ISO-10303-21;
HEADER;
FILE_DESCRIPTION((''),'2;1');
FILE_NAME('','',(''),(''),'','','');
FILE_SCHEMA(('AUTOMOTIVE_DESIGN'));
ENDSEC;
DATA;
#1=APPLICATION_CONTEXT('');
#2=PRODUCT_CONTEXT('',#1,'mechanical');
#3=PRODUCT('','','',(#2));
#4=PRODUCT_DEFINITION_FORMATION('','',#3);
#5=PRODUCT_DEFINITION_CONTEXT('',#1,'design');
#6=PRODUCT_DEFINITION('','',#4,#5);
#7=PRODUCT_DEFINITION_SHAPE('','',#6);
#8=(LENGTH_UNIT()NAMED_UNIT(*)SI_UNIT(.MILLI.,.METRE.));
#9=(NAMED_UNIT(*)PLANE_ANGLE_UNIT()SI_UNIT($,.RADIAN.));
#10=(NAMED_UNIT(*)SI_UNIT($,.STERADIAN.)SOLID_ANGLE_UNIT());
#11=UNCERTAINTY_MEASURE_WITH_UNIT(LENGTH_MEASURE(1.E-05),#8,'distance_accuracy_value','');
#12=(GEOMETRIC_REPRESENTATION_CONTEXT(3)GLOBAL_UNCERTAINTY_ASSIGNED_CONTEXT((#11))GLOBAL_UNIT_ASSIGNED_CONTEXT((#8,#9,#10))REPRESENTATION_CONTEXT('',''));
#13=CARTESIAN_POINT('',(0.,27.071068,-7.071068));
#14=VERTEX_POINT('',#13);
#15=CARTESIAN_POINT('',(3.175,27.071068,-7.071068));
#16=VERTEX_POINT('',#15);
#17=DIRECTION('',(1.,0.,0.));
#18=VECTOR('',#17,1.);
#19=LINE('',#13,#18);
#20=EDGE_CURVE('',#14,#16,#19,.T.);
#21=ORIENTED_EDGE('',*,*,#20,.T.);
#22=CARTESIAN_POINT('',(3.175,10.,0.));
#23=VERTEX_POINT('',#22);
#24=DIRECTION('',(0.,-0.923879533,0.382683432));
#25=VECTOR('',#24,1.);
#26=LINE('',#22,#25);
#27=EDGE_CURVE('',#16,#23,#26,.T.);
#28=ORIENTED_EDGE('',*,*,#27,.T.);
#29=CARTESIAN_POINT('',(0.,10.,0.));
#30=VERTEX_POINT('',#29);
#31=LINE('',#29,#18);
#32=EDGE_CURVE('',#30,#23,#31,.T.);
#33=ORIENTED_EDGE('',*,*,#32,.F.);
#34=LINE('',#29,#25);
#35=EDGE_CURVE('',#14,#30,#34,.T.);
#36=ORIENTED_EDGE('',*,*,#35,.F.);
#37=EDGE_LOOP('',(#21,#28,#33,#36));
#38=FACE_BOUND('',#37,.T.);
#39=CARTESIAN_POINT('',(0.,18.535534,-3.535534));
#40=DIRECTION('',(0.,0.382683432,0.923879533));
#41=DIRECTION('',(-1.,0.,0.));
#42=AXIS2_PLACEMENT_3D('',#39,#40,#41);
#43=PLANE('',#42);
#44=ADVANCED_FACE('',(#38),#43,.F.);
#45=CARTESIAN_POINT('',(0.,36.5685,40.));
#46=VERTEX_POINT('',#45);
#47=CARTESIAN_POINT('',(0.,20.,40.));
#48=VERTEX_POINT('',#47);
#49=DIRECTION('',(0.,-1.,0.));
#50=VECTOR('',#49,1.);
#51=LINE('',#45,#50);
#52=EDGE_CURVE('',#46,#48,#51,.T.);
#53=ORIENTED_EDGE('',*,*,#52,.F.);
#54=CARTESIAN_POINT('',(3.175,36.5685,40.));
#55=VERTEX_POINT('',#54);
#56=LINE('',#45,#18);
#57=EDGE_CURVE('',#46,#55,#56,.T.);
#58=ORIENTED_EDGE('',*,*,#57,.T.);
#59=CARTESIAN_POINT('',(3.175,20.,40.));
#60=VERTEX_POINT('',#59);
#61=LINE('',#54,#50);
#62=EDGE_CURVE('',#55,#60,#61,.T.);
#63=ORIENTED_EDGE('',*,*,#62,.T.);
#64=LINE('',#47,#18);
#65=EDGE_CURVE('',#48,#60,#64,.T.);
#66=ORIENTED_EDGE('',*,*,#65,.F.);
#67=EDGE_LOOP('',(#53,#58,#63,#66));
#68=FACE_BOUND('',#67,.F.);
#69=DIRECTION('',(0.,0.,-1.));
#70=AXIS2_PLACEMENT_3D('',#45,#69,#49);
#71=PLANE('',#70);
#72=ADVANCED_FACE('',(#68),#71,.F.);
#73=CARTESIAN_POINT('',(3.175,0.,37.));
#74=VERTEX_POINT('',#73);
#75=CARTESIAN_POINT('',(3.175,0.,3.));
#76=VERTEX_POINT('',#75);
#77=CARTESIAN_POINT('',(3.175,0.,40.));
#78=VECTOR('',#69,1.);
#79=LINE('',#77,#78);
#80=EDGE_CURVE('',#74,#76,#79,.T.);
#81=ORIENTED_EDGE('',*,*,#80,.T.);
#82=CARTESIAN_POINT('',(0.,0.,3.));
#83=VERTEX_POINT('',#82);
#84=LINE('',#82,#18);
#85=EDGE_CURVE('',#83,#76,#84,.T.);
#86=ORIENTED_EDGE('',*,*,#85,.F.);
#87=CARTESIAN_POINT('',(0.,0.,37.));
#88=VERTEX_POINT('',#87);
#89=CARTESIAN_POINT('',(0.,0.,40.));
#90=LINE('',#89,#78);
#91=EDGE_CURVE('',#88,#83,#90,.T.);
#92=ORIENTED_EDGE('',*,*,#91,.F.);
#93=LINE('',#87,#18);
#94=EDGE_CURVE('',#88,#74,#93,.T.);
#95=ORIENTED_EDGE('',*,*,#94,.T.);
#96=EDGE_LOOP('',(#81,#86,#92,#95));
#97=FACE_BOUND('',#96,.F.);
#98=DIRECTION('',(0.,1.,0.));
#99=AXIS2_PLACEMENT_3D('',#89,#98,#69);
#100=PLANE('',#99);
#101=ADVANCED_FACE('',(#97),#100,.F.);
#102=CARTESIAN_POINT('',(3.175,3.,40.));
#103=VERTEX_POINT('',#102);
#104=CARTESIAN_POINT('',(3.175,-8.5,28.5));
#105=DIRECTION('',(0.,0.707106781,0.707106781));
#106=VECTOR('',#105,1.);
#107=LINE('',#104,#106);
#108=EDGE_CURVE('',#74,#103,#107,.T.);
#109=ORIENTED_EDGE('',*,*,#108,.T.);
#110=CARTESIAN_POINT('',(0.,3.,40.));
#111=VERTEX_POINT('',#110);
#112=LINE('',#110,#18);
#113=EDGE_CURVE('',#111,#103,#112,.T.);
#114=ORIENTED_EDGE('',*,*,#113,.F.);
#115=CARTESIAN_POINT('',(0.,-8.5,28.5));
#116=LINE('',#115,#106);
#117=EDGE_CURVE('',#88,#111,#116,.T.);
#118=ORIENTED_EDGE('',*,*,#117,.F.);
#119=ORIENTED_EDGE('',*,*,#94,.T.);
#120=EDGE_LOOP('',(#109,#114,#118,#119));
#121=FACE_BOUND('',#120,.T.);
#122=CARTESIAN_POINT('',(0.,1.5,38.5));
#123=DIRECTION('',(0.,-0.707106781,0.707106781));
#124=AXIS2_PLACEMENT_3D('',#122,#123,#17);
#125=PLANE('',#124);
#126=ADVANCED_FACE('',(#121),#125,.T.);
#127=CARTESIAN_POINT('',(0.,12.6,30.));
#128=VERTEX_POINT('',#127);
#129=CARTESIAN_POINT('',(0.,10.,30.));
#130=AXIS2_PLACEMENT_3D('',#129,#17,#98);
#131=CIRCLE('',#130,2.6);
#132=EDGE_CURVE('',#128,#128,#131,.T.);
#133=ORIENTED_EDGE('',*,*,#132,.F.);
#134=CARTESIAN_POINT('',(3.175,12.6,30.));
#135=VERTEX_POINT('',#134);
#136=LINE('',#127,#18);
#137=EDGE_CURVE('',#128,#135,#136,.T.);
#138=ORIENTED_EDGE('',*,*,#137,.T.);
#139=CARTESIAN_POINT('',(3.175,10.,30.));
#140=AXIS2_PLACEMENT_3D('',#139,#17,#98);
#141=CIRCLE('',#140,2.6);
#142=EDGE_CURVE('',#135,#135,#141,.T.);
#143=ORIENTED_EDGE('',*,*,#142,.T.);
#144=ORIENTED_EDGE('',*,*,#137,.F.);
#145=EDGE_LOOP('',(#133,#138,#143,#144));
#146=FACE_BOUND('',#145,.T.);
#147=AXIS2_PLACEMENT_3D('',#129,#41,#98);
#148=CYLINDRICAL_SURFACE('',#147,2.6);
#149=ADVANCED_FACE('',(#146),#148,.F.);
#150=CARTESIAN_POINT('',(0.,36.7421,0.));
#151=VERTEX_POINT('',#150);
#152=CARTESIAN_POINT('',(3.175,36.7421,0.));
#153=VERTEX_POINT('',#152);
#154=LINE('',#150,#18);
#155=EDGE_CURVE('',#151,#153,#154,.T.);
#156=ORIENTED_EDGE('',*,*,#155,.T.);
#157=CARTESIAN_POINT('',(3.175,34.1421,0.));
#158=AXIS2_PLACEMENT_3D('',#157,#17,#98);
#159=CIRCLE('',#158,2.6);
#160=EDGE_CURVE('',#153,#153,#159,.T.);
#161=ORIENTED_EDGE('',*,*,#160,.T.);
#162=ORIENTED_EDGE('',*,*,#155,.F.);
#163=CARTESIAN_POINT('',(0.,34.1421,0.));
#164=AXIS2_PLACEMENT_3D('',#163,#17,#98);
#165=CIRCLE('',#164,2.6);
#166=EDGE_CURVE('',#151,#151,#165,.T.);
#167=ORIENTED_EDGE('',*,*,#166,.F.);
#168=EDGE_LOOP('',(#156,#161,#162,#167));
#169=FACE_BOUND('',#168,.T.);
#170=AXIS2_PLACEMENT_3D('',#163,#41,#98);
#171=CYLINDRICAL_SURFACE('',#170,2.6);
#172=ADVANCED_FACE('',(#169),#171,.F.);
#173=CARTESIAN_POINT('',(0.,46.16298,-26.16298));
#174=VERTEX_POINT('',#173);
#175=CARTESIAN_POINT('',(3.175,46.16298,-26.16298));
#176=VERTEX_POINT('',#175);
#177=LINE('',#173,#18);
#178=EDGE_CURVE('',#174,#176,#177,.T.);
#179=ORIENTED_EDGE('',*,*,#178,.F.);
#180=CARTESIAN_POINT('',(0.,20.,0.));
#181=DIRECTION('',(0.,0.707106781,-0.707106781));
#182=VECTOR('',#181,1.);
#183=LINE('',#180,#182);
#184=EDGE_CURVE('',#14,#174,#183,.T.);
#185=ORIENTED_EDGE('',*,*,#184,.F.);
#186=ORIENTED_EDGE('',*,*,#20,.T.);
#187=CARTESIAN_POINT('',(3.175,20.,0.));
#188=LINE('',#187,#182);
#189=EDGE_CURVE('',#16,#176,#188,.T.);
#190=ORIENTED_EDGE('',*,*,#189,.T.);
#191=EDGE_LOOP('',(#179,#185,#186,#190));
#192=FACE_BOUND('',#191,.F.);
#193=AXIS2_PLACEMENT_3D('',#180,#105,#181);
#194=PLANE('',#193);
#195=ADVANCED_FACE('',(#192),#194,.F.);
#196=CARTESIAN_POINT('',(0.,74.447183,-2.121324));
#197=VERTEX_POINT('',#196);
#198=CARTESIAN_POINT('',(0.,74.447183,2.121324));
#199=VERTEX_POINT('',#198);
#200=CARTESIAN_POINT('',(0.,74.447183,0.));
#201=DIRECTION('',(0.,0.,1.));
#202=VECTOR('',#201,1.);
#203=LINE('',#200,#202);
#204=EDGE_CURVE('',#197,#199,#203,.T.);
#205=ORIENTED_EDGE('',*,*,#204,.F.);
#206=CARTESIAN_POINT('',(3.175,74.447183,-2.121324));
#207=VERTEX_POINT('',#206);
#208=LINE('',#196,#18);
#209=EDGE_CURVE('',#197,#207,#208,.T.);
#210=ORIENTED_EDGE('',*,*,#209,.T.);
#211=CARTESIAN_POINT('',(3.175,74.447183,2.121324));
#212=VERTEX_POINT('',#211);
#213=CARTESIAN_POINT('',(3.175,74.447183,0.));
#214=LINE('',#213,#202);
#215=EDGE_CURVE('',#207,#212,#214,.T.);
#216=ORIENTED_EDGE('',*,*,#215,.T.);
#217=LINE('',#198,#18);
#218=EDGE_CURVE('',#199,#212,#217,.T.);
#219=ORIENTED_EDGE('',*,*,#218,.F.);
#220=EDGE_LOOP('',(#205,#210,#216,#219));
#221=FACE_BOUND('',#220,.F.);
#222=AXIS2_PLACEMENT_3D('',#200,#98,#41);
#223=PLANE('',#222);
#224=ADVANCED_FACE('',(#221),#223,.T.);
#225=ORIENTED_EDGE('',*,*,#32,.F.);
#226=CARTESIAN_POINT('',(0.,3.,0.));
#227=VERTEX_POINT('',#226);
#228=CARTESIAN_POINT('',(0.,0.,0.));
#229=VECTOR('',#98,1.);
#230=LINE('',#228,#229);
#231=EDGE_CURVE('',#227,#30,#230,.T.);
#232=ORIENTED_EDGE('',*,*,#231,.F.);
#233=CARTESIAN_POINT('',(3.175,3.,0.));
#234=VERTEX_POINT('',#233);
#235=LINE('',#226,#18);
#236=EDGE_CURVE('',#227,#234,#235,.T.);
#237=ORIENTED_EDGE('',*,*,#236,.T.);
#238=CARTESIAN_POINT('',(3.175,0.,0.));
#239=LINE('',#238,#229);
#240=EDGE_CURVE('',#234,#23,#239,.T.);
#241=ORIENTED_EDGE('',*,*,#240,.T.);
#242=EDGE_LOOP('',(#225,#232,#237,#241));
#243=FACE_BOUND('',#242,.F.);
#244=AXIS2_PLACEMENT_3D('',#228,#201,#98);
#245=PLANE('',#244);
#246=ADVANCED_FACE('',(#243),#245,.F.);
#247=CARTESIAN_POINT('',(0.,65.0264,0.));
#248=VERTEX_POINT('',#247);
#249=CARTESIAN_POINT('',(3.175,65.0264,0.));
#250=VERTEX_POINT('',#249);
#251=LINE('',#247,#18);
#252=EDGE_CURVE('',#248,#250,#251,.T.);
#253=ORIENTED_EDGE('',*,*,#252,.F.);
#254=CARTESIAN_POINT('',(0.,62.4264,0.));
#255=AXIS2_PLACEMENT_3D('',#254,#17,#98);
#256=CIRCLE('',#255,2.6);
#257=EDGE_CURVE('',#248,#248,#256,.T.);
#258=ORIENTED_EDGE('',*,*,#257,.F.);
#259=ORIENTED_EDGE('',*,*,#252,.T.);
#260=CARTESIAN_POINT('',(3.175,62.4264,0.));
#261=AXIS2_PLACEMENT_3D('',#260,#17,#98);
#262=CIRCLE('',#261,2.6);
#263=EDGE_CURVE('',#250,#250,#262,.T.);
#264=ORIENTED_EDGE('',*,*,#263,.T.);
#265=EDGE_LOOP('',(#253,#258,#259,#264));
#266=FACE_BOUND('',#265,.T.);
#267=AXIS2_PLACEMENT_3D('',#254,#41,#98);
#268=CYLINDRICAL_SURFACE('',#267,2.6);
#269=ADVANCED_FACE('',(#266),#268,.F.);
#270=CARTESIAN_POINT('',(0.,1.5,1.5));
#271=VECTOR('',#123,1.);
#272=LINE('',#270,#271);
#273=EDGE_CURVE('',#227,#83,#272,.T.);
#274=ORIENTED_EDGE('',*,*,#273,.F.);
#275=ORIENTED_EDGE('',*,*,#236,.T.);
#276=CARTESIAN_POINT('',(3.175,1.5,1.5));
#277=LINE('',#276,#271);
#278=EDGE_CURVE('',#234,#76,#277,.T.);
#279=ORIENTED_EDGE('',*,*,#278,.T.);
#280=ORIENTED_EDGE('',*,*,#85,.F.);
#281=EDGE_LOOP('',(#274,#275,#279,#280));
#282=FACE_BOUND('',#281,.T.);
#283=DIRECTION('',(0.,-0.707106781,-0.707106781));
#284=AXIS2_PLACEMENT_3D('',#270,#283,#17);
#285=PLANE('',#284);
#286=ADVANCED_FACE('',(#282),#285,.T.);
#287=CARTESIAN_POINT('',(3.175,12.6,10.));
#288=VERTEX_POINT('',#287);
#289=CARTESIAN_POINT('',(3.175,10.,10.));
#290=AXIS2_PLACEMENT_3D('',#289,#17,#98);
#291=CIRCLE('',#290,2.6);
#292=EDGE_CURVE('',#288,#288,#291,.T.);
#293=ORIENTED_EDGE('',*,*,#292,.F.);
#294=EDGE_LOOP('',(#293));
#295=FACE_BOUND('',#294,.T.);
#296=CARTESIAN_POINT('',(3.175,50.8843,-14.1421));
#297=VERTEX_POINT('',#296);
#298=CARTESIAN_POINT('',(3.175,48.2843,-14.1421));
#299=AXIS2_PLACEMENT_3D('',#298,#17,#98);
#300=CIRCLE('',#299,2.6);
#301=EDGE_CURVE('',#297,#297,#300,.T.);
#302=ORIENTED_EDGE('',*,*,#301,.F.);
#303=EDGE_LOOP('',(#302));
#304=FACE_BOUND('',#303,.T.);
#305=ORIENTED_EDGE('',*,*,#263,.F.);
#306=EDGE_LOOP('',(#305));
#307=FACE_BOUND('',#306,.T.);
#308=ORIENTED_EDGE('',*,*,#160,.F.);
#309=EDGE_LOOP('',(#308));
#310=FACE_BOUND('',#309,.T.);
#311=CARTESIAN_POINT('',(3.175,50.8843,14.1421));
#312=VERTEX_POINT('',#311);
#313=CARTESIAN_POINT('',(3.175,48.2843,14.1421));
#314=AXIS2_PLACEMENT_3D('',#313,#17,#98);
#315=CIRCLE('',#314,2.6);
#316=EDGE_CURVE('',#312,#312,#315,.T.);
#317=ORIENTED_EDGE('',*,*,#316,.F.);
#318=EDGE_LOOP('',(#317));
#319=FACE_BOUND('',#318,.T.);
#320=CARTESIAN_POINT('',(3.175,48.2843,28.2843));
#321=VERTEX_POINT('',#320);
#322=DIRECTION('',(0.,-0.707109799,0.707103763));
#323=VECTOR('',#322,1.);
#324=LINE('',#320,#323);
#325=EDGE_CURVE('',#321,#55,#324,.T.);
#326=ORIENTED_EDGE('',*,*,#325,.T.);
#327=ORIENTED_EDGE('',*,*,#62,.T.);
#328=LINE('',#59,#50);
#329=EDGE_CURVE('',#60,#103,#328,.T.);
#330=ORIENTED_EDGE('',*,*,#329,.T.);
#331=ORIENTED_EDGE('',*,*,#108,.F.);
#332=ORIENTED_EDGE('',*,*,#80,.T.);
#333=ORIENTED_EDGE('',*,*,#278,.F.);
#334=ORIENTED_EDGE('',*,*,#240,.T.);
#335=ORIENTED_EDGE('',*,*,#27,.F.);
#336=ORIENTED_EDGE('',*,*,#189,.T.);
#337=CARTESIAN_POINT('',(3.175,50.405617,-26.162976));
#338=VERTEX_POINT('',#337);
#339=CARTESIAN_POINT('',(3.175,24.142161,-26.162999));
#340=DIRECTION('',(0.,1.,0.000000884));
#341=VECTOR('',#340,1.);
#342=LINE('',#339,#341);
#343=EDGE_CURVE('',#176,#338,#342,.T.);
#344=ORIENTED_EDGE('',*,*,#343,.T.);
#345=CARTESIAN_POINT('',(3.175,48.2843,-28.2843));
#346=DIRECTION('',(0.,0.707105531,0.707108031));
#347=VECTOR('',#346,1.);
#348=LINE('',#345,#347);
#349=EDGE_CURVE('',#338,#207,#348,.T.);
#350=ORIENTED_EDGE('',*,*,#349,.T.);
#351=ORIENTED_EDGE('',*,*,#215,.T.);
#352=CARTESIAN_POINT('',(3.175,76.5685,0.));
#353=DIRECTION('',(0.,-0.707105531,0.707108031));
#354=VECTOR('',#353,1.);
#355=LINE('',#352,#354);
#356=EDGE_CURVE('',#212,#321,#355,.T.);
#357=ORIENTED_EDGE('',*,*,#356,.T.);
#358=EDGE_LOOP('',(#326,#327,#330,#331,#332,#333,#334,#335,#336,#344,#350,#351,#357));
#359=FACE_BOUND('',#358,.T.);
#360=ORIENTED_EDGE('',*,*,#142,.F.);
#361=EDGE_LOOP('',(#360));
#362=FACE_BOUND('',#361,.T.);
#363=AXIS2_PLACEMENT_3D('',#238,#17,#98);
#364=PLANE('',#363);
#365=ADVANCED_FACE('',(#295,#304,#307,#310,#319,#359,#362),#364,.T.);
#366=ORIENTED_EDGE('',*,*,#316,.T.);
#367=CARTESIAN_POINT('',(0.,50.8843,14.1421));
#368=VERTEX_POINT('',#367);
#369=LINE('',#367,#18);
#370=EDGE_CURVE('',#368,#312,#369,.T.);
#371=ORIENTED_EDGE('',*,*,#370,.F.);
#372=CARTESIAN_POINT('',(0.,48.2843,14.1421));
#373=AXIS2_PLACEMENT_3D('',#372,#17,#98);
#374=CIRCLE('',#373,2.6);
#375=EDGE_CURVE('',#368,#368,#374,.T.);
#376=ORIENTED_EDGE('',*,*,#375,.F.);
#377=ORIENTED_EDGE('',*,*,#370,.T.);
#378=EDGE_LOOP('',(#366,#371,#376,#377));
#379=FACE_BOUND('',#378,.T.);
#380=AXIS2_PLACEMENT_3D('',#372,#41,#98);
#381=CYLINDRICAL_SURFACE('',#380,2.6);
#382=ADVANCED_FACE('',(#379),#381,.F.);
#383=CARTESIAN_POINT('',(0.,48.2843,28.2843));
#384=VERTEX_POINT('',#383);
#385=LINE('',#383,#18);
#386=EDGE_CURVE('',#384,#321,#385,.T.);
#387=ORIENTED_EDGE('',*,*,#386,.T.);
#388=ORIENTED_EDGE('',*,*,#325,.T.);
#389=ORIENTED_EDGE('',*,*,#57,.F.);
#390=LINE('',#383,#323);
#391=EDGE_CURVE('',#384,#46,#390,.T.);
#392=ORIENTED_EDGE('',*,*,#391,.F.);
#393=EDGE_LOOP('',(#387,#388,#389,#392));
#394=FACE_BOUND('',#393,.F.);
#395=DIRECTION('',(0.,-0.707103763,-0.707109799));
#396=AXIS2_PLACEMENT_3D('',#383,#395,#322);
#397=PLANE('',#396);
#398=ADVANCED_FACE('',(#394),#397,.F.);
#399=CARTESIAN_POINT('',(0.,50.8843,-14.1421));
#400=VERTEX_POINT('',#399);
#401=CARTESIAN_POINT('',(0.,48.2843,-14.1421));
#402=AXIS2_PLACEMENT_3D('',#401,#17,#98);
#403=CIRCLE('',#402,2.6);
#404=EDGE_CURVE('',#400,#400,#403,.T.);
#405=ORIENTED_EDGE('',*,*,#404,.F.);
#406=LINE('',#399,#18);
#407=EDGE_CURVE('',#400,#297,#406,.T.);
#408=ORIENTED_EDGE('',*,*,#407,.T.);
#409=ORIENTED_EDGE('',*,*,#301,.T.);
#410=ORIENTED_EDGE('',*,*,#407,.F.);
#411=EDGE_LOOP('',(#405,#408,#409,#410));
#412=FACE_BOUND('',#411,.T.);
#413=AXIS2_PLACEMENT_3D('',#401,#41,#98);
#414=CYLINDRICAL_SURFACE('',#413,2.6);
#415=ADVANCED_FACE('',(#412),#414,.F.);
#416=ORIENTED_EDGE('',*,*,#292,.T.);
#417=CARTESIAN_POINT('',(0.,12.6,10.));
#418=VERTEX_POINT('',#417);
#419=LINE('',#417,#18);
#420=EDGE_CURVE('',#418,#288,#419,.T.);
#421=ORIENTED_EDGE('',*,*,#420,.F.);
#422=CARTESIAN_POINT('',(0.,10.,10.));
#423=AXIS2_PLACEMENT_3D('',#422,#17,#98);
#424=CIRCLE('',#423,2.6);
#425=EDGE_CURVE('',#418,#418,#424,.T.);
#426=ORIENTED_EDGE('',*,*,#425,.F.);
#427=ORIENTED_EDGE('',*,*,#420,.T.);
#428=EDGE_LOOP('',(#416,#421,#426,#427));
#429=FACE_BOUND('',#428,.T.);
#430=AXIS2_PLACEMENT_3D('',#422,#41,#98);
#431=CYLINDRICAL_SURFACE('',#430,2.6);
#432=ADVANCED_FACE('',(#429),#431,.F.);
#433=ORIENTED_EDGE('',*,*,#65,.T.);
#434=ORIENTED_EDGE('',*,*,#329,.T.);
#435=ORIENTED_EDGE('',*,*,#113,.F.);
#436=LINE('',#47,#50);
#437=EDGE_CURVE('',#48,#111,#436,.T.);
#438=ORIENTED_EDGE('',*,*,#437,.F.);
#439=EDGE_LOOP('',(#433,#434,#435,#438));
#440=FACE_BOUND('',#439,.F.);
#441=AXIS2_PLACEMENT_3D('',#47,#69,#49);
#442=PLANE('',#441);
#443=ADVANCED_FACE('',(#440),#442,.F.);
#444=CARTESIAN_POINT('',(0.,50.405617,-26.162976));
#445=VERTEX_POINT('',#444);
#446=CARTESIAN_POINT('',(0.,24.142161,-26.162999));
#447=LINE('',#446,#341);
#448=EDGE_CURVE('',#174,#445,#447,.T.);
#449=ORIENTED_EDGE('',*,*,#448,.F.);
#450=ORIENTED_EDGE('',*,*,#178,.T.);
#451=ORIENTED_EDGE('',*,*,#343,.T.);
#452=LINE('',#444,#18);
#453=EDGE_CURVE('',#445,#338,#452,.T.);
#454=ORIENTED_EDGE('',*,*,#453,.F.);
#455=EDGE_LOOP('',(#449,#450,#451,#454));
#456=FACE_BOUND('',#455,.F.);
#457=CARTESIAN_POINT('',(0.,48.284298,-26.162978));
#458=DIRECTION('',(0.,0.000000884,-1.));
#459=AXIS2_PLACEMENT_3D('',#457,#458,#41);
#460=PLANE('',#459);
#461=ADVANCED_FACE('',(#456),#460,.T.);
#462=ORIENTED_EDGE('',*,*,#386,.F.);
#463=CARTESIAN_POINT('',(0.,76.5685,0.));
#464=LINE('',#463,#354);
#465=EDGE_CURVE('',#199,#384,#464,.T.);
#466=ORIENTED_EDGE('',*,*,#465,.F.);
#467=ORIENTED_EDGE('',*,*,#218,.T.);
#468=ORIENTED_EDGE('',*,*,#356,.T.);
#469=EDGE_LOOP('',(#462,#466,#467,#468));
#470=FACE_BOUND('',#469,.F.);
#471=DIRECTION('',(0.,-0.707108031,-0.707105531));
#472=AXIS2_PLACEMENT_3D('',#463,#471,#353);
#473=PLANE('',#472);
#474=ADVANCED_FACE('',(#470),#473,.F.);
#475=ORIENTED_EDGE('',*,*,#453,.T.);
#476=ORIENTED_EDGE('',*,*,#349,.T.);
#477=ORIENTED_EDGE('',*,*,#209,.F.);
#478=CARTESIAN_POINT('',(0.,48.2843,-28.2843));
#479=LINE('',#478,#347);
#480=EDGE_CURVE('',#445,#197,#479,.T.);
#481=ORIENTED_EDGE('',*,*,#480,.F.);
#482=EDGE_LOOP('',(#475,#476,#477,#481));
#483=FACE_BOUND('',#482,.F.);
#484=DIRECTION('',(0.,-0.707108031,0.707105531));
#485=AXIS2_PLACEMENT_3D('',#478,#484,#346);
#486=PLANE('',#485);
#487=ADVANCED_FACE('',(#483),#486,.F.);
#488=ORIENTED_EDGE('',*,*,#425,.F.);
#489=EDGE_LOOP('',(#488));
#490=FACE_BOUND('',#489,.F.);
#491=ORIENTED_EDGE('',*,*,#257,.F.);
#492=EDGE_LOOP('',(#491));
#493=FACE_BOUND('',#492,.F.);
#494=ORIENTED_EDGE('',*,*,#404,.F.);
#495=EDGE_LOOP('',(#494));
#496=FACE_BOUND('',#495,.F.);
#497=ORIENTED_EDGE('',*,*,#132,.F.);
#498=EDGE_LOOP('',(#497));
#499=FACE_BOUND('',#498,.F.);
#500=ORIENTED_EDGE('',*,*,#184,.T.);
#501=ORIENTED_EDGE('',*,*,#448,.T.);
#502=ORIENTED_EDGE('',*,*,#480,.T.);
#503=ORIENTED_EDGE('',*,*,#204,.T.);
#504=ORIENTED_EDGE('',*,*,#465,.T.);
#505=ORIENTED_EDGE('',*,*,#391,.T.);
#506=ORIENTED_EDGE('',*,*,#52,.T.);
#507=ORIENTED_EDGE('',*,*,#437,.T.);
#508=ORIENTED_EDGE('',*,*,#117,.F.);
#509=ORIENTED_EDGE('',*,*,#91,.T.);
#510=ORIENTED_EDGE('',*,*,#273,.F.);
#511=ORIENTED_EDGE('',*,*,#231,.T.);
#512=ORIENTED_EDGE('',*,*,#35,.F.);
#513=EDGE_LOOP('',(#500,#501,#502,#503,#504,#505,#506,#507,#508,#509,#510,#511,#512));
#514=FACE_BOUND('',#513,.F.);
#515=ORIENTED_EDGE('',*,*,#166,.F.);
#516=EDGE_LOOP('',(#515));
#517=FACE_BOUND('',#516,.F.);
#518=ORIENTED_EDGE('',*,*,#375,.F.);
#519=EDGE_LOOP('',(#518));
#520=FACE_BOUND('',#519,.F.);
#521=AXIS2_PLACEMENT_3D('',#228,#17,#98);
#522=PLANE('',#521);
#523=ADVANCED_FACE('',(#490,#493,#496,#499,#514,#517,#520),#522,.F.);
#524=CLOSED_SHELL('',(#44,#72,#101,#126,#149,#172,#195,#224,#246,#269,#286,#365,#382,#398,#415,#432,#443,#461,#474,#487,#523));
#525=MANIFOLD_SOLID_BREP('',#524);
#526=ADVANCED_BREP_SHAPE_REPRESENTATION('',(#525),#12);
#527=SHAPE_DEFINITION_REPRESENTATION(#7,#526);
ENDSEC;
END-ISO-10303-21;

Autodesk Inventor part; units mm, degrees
ref_plane "YZ Plane" through (0, 0, 0) normal (1, 0, 0) x (0, 1, 0)
ref_plane "XZ Plane" through (0, 0, 0) normal (0, 1, 0) x (-1, 0, 0)
ref_plane "XY Plane" through (0, 0, 0) normal (0, 0, 1) x (1, 0, 0)
sketch "Sketch1" plane through (0, 0, 0) normal (1, 0, 0) x (0, 1, 0)
  line L0 (0, 0) -> (20, 0)
  line L1 (20, 0) -> (20, 40) construction
  line L2 (20, 40) -> (0, 40)
  line L3 (0, 40) -> (0, 0)
  line L4 (20, 0) -> (65, 0) construction
  line L5 (48.2843, 28.2843) -> (36.5685, 40)
  line L6 (36.5685, 40) -> (20, 40)
  line L7 (48.2843, 28.2843) -> (20, 0) construction
  line L8 (20, 0) -> (48.2843, -28.2843)
  line L9 (48.2843, -28.2843) -> (76.5685, 0)
  line L10 (76.5685, 0) -> (48.2843, 28.2843)
  line L11 (10, 40) -> (10, 0) construction
  circle A0 centre (10, 30) radius 2.6
  circle A1 centre (10, 10) radius 2.6
  line L12 (48.2843, 14.1421) -> (34.1421, 0) construction
  line L13 (34.1421, 0) -> (48.2843, -14.1421) construction
  line L14 (48.2843, -14.1421) -> (62.4264, 0) construction
  line L15 (62.4264, 0) -> (48.2843, 14.1421) construction
  circle A2 centre (62.4264, 0) radius 2.6
  circle A3 centre (48.2843, 14.1421) radius 2.6
  circle A4 centre (34.1421, 0) radius 2.6
  circle A5 centre (48.2843, -14.1421) radius 2.6
  dimension "d0" = 20
  dimension "d1" = 40
  dimension "d2" = 40
  dimension "d4" = 40
  dimension "d5" = 45
  dimension "d6" = 5.2
  dimension "d7" = 5.2
  dimension "d8" = 10
  dimension "d9" = 10
  dimension "d10" = 20
  dimension "d11" = 20
  dimension "d12" = 10
  dimension "d13" = 10
  dimension "d14" = 5.2
  dimension "d15" = 5.2
  dimension "d16" = 5.2
  dimension "d17" = 5.2
extrude "Extrusion1" add sketch "Sketch1" along normal blind 3.175
chamfer "Chamfer1" distance 10 angle 45 1 edges at (1.5875, 20, 0)
chamfer "Chamfer2" distance 3 angle 45 4 edges at (1.5875, 48.2843, -28.2843) (1.5875, 76.5685, 0) (1.5875, 0, 0) (1.5875, 0, 40)
equation "\"d7\" = d6"
equation "\"d14\" = d6"
equation "\"d15\" = d6"
equation "\"d16\" = d6"
equation "\"d17\" = d6"
properties part number "45deg 2040 Connector Bracket"
